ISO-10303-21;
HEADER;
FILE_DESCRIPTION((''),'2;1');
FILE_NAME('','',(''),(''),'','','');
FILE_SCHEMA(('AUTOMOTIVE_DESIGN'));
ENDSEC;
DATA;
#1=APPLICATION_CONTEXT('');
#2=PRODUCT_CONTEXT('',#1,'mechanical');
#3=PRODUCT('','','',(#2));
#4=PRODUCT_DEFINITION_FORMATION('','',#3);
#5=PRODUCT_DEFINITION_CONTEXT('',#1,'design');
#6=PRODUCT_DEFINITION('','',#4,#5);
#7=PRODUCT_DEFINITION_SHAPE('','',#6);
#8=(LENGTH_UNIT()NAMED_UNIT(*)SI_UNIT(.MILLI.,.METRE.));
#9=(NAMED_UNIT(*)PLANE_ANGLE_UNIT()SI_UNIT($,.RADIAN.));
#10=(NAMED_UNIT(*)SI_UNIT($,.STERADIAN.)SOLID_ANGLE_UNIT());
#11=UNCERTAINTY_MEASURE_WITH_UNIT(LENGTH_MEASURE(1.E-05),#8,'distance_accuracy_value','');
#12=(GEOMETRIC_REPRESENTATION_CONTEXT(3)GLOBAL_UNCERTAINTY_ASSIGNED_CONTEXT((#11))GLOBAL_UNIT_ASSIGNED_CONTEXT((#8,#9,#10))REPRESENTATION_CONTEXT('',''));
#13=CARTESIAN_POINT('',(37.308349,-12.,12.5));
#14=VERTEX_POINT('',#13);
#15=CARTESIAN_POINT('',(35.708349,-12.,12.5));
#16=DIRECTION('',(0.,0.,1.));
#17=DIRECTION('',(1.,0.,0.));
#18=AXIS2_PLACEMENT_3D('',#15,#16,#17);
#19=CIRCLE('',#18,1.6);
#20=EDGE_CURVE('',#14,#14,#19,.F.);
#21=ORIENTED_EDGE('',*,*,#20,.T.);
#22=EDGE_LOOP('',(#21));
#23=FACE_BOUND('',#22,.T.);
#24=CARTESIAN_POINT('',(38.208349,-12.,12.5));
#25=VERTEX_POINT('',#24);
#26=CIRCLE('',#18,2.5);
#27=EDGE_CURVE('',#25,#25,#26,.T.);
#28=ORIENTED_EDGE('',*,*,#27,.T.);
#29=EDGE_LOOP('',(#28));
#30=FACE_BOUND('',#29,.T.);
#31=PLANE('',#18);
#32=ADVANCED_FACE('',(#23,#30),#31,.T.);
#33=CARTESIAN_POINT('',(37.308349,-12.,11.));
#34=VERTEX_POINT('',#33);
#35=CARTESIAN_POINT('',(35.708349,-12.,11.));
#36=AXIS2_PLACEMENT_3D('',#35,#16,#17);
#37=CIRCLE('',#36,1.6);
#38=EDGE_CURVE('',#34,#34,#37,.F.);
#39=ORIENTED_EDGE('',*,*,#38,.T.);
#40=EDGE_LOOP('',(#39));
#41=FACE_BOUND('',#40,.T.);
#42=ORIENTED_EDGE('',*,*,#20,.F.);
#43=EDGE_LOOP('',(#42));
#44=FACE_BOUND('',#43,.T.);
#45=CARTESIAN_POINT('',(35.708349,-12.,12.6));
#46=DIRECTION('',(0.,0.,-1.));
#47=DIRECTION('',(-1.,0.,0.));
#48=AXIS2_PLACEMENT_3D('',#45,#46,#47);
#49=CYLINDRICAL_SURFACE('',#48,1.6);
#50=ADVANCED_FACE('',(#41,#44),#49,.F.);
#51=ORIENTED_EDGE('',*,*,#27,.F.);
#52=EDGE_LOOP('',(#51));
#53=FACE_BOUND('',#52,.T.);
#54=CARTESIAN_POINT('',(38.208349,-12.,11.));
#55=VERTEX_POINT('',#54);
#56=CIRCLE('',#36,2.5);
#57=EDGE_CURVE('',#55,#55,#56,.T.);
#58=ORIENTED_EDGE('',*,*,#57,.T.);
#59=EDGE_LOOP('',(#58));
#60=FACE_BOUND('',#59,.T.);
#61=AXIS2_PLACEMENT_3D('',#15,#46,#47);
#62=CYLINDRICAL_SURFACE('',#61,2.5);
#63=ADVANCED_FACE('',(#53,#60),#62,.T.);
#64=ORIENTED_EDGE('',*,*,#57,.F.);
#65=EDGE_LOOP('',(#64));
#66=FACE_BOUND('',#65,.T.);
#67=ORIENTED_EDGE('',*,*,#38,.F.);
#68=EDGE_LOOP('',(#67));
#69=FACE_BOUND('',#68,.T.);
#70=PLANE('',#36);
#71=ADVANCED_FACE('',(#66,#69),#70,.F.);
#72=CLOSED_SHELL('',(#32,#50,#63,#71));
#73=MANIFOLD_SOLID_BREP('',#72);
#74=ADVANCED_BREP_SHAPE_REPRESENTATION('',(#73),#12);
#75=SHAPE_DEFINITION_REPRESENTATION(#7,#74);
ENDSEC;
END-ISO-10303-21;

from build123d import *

# Parameters (mm, degrees)
EYELET_SPACER_OUTSIDE_SKETCH_R = 2.5
EYELET_SPACER_OUTSIDE_DEPTH    = 1.5
EYELET_SPACER_BORE_SKETCH_R    = 1.6
EYELET_SPACER_BORE_DEPTH       = 1.7


with BuildPart() as part:
    # Eyelet spacer outside sketch → Eyelet spacer outside (new body)
    with BuildSketch(Plane.XY.offset(11)):
        with Locations((35.708348754, -12)):
            Circle(EYELET_SPACER_OUTSIDE_SKETCH_R)
    extrude(amount=EYELET_SPACER_OUTSIDE_DEPTH)

    # Eyelet spacer bore sketch → Eyelet spacer bore (cut)
    with BuildSketch(Plane.XY.offset(10.9)):
        with Locations((35.708348754, -12)):
            Circle(EYELET_SPACER_BORE_SKETCH_R)
    extrude(amount=EYELET_SPACER_BORE_DEPTH, mode=Mode.SUBTRACT)


solid = part.part
